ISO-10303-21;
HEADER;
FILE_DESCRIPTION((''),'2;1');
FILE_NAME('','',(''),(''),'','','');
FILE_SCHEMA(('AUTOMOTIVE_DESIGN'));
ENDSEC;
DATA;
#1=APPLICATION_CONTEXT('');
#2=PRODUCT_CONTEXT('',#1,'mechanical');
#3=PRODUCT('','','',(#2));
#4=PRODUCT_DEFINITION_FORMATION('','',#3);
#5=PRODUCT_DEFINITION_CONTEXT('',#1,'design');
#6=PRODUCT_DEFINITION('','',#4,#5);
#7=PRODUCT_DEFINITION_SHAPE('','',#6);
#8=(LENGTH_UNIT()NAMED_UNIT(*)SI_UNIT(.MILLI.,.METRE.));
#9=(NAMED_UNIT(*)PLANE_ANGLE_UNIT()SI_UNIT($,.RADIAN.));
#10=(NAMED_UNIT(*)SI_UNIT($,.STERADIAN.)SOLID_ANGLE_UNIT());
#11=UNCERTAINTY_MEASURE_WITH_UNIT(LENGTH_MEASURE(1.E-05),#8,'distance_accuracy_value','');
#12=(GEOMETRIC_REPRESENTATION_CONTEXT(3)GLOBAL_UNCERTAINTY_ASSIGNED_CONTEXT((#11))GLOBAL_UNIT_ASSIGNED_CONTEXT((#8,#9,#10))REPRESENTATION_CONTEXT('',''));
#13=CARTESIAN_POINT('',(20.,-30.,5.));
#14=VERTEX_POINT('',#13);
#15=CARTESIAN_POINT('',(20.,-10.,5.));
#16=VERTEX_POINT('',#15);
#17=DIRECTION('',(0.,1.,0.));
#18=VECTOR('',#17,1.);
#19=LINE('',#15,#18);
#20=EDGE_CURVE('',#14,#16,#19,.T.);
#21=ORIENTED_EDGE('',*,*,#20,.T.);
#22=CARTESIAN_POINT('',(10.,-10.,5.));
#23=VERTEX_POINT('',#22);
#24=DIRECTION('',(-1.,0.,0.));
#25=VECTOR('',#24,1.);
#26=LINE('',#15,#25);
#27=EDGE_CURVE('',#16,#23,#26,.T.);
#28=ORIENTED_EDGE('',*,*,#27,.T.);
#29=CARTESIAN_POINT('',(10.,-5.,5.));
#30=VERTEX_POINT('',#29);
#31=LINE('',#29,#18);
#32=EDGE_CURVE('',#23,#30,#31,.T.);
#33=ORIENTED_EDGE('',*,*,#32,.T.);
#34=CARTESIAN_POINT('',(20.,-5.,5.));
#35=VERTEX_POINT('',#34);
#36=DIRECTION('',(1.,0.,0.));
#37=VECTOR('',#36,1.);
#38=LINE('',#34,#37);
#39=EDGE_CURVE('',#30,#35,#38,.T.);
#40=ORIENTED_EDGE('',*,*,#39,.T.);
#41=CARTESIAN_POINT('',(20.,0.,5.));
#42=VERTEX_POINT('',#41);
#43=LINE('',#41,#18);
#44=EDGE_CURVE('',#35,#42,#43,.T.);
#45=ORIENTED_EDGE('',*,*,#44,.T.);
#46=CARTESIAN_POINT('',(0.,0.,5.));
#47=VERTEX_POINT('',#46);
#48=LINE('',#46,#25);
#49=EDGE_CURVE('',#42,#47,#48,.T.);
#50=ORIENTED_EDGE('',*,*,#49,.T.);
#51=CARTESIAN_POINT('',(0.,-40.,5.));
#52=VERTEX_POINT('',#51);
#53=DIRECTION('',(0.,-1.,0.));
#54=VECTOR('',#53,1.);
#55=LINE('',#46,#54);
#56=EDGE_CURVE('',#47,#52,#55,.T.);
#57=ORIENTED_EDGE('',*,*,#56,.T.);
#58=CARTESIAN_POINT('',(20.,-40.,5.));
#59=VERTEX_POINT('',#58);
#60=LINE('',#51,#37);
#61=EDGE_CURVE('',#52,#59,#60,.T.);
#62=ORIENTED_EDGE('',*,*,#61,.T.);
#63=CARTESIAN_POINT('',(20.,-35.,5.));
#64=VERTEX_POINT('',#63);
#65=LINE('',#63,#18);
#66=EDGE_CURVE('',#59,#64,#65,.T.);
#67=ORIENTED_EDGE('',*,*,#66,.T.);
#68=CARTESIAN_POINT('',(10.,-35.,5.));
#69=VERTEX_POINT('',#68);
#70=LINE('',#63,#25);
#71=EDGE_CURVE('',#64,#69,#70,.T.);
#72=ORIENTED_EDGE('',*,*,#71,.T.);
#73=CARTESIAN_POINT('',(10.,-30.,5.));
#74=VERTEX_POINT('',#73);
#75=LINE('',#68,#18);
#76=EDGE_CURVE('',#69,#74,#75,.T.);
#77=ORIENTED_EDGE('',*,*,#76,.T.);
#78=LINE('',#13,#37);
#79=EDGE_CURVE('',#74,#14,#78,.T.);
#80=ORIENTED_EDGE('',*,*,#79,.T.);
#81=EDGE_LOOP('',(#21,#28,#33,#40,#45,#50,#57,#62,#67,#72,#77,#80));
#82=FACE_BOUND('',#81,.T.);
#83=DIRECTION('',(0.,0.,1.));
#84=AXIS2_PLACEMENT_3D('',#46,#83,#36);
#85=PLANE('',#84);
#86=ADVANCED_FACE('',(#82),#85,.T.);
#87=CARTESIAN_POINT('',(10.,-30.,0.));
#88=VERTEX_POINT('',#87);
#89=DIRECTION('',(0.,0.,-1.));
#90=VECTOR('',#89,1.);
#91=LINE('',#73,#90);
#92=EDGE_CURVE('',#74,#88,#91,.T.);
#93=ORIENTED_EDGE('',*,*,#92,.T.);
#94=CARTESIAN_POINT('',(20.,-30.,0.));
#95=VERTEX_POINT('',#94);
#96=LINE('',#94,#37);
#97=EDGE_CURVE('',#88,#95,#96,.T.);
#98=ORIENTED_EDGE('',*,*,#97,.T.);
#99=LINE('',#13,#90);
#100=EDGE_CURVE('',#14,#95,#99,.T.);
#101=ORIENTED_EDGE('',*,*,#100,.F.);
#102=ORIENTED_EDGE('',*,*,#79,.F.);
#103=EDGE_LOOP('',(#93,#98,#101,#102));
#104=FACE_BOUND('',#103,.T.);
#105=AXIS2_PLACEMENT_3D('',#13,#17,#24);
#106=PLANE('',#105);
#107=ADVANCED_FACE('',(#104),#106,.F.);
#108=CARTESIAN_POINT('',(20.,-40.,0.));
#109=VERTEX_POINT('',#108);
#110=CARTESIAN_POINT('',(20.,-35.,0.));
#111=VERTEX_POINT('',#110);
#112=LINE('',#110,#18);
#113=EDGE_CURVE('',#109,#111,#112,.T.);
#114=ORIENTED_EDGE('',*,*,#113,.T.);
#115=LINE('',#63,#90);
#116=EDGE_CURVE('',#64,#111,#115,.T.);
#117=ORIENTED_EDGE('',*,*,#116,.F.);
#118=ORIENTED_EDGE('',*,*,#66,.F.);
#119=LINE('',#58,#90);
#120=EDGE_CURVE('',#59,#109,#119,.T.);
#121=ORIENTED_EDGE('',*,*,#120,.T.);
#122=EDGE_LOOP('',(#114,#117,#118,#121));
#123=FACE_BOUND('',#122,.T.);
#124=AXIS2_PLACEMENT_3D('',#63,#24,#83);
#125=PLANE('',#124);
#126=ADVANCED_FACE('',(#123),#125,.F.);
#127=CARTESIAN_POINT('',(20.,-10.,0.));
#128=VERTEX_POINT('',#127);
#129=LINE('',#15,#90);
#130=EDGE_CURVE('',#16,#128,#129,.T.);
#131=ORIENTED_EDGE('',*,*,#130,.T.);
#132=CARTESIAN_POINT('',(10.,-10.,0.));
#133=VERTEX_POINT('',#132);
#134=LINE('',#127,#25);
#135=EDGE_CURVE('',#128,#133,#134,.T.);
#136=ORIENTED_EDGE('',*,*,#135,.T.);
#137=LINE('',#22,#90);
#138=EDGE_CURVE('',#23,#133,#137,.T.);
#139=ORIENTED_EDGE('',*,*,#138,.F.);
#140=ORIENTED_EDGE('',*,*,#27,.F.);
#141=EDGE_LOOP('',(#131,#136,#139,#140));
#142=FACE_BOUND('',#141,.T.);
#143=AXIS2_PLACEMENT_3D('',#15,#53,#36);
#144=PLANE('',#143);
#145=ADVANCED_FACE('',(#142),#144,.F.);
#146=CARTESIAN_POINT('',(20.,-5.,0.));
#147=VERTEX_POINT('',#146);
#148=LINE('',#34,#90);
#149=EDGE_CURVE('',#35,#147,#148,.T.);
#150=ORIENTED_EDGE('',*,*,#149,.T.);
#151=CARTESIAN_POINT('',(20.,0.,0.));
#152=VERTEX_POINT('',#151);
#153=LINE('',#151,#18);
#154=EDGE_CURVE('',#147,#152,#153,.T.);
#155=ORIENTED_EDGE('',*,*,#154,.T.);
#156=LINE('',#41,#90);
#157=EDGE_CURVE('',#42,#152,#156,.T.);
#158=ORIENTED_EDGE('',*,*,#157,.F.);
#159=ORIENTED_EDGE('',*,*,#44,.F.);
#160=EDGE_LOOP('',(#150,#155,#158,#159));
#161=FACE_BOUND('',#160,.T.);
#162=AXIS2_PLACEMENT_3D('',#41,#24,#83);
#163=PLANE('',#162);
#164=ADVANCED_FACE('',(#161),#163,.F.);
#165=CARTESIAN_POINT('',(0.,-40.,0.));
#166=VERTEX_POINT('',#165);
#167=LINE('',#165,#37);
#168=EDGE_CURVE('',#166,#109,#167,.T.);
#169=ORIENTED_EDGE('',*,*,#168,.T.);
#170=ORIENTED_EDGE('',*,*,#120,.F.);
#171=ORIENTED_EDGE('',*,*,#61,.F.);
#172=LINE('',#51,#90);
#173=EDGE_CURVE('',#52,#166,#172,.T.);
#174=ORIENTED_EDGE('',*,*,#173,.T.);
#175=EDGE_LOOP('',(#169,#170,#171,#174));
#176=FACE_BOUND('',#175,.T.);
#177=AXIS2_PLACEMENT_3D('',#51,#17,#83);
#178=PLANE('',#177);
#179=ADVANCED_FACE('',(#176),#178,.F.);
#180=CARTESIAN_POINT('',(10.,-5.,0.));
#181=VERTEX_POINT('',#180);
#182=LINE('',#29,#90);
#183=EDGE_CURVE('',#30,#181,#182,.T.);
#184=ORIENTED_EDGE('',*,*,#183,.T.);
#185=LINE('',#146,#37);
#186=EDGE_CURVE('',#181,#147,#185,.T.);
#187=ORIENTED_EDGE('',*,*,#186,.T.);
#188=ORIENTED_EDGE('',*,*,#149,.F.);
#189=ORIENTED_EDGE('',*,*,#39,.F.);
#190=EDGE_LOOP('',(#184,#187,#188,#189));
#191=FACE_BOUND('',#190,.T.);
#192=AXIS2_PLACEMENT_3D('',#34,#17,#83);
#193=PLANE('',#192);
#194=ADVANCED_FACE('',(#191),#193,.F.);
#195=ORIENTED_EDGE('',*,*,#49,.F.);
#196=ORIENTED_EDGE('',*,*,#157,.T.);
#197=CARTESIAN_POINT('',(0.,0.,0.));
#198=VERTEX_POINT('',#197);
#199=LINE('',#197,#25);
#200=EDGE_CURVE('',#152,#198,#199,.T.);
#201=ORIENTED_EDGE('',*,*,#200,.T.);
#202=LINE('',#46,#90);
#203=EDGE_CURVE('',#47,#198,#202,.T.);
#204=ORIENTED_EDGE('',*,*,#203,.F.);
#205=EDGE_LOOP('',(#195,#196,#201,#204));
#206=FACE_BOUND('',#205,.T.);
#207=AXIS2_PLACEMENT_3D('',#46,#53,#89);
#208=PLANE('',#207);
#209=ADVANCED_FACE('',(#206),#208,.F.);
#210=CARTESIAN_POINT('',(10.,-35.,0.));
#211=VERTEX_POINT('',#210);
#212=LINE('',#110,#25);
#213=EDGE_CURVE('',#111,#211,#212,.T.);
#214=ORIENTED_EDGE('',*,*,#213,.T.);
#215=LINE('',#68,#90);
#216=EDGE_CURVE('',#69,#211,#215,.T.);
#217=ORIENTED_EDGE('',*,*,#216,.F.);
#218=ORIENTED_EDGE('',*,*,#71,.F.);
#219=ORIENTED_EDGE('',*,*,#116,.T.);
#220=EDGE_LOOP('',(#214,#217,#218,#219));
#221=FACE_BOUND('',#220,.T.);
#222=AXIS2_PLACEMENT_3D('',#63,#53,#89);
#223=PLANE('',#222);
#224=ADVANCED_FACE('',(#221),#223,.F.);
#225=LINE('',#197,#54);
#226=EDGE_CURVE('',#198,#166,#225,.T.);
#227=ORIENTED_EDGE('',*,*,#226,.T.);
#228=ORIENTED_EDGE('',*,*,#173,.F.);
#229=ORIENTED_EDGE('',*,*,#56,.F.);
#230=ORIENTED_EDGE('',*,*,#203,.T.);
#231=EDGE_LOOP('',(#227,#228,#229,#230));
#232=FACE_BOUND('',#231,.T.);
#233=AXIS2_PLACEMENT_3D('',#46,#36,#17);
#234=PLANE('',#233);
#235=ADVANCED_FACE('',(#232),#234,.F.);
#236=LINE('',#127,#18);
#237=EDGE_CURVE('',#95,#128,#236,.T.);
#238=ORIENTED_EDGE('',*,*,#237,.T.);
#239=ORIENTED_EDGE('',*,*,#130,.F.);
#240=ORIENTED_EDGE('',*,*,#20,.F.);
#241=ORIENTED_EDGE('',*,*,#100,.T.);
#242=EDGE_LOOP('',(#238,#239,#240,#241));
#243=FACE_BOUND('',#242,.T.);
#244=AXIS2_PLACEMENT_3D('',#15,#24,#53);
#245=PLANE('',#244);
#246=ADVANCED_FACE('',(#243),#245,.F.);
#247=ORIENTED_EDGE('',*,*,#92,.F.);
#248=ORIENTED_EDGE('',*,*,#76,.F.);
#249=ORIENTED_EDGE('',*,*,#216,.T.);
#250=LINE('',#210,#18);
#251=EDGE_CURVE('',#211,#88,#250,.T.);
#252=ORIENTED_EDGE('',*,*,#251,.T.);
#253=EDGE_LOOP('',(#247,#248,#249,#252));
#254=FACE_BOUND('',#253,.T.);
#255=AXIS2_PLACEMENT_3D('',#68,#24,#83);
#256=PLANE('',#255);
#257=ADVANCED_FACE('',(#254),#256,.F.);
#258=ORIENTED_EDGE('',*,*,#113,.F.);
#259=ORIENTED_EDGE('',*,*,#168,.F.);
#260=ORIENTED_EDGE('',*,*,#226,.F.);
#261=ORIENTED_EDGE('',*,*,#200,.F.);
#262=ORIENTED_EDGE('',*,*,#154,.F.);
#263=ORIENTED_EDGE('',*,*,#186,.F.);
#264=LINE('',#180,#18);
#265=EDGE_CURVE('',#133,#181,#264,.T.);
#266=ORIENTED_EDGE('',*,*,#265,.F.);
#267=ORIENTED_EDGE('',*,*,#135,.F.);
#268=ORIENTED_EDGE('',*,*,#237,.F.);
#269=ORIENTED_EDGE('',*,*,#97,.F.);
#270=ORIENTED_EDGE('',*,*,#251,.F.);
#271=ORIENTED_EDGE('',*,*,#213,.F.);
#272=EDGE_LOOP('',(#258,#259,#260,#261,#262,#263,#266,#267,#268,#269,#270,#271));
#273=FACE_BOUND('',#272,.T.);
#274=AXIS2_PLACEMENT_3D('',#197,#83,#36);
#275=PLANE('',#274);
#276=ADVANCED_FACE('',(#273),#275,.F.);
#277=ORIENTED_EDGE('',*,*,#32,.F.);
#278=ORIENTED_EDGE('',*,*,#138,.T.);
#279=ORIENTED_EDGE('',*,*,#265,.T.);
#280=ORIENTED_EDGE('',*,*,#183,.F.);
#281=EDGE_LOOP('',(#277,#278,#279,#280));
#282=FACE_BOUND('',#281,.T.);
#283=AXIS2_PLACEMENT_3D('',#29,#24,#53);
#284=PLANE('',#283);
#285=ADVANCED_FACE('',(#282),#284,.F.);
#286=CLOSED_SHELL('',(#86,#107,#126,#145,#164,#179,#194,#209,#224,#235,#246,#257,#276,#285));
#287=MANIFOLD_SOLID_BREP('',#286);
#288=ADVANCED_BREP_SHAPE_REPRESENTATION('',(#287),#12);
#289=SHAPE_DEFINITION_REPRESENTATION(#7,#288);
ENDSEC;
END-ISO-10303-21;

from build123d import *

# Parameters (mm, degrees)
BOSS_EXTRUDE1_DEPTH = 5


with BuildPart() as part:
    # Sketch1 → Boss-Extrude1 (new body)
    with BuildSketch(Plane.XY):
        Polygon((20, -10), (20, -30), (10, -30), (10, -35), (20, -35), (20, -40), (0, -40), (0, 0), (20, 0), (20, -5), (10, -5), (10, -10), align=None)
    extrude(amount=BOSS_EXTRUDE1_DEPTH)


solid = part.part
